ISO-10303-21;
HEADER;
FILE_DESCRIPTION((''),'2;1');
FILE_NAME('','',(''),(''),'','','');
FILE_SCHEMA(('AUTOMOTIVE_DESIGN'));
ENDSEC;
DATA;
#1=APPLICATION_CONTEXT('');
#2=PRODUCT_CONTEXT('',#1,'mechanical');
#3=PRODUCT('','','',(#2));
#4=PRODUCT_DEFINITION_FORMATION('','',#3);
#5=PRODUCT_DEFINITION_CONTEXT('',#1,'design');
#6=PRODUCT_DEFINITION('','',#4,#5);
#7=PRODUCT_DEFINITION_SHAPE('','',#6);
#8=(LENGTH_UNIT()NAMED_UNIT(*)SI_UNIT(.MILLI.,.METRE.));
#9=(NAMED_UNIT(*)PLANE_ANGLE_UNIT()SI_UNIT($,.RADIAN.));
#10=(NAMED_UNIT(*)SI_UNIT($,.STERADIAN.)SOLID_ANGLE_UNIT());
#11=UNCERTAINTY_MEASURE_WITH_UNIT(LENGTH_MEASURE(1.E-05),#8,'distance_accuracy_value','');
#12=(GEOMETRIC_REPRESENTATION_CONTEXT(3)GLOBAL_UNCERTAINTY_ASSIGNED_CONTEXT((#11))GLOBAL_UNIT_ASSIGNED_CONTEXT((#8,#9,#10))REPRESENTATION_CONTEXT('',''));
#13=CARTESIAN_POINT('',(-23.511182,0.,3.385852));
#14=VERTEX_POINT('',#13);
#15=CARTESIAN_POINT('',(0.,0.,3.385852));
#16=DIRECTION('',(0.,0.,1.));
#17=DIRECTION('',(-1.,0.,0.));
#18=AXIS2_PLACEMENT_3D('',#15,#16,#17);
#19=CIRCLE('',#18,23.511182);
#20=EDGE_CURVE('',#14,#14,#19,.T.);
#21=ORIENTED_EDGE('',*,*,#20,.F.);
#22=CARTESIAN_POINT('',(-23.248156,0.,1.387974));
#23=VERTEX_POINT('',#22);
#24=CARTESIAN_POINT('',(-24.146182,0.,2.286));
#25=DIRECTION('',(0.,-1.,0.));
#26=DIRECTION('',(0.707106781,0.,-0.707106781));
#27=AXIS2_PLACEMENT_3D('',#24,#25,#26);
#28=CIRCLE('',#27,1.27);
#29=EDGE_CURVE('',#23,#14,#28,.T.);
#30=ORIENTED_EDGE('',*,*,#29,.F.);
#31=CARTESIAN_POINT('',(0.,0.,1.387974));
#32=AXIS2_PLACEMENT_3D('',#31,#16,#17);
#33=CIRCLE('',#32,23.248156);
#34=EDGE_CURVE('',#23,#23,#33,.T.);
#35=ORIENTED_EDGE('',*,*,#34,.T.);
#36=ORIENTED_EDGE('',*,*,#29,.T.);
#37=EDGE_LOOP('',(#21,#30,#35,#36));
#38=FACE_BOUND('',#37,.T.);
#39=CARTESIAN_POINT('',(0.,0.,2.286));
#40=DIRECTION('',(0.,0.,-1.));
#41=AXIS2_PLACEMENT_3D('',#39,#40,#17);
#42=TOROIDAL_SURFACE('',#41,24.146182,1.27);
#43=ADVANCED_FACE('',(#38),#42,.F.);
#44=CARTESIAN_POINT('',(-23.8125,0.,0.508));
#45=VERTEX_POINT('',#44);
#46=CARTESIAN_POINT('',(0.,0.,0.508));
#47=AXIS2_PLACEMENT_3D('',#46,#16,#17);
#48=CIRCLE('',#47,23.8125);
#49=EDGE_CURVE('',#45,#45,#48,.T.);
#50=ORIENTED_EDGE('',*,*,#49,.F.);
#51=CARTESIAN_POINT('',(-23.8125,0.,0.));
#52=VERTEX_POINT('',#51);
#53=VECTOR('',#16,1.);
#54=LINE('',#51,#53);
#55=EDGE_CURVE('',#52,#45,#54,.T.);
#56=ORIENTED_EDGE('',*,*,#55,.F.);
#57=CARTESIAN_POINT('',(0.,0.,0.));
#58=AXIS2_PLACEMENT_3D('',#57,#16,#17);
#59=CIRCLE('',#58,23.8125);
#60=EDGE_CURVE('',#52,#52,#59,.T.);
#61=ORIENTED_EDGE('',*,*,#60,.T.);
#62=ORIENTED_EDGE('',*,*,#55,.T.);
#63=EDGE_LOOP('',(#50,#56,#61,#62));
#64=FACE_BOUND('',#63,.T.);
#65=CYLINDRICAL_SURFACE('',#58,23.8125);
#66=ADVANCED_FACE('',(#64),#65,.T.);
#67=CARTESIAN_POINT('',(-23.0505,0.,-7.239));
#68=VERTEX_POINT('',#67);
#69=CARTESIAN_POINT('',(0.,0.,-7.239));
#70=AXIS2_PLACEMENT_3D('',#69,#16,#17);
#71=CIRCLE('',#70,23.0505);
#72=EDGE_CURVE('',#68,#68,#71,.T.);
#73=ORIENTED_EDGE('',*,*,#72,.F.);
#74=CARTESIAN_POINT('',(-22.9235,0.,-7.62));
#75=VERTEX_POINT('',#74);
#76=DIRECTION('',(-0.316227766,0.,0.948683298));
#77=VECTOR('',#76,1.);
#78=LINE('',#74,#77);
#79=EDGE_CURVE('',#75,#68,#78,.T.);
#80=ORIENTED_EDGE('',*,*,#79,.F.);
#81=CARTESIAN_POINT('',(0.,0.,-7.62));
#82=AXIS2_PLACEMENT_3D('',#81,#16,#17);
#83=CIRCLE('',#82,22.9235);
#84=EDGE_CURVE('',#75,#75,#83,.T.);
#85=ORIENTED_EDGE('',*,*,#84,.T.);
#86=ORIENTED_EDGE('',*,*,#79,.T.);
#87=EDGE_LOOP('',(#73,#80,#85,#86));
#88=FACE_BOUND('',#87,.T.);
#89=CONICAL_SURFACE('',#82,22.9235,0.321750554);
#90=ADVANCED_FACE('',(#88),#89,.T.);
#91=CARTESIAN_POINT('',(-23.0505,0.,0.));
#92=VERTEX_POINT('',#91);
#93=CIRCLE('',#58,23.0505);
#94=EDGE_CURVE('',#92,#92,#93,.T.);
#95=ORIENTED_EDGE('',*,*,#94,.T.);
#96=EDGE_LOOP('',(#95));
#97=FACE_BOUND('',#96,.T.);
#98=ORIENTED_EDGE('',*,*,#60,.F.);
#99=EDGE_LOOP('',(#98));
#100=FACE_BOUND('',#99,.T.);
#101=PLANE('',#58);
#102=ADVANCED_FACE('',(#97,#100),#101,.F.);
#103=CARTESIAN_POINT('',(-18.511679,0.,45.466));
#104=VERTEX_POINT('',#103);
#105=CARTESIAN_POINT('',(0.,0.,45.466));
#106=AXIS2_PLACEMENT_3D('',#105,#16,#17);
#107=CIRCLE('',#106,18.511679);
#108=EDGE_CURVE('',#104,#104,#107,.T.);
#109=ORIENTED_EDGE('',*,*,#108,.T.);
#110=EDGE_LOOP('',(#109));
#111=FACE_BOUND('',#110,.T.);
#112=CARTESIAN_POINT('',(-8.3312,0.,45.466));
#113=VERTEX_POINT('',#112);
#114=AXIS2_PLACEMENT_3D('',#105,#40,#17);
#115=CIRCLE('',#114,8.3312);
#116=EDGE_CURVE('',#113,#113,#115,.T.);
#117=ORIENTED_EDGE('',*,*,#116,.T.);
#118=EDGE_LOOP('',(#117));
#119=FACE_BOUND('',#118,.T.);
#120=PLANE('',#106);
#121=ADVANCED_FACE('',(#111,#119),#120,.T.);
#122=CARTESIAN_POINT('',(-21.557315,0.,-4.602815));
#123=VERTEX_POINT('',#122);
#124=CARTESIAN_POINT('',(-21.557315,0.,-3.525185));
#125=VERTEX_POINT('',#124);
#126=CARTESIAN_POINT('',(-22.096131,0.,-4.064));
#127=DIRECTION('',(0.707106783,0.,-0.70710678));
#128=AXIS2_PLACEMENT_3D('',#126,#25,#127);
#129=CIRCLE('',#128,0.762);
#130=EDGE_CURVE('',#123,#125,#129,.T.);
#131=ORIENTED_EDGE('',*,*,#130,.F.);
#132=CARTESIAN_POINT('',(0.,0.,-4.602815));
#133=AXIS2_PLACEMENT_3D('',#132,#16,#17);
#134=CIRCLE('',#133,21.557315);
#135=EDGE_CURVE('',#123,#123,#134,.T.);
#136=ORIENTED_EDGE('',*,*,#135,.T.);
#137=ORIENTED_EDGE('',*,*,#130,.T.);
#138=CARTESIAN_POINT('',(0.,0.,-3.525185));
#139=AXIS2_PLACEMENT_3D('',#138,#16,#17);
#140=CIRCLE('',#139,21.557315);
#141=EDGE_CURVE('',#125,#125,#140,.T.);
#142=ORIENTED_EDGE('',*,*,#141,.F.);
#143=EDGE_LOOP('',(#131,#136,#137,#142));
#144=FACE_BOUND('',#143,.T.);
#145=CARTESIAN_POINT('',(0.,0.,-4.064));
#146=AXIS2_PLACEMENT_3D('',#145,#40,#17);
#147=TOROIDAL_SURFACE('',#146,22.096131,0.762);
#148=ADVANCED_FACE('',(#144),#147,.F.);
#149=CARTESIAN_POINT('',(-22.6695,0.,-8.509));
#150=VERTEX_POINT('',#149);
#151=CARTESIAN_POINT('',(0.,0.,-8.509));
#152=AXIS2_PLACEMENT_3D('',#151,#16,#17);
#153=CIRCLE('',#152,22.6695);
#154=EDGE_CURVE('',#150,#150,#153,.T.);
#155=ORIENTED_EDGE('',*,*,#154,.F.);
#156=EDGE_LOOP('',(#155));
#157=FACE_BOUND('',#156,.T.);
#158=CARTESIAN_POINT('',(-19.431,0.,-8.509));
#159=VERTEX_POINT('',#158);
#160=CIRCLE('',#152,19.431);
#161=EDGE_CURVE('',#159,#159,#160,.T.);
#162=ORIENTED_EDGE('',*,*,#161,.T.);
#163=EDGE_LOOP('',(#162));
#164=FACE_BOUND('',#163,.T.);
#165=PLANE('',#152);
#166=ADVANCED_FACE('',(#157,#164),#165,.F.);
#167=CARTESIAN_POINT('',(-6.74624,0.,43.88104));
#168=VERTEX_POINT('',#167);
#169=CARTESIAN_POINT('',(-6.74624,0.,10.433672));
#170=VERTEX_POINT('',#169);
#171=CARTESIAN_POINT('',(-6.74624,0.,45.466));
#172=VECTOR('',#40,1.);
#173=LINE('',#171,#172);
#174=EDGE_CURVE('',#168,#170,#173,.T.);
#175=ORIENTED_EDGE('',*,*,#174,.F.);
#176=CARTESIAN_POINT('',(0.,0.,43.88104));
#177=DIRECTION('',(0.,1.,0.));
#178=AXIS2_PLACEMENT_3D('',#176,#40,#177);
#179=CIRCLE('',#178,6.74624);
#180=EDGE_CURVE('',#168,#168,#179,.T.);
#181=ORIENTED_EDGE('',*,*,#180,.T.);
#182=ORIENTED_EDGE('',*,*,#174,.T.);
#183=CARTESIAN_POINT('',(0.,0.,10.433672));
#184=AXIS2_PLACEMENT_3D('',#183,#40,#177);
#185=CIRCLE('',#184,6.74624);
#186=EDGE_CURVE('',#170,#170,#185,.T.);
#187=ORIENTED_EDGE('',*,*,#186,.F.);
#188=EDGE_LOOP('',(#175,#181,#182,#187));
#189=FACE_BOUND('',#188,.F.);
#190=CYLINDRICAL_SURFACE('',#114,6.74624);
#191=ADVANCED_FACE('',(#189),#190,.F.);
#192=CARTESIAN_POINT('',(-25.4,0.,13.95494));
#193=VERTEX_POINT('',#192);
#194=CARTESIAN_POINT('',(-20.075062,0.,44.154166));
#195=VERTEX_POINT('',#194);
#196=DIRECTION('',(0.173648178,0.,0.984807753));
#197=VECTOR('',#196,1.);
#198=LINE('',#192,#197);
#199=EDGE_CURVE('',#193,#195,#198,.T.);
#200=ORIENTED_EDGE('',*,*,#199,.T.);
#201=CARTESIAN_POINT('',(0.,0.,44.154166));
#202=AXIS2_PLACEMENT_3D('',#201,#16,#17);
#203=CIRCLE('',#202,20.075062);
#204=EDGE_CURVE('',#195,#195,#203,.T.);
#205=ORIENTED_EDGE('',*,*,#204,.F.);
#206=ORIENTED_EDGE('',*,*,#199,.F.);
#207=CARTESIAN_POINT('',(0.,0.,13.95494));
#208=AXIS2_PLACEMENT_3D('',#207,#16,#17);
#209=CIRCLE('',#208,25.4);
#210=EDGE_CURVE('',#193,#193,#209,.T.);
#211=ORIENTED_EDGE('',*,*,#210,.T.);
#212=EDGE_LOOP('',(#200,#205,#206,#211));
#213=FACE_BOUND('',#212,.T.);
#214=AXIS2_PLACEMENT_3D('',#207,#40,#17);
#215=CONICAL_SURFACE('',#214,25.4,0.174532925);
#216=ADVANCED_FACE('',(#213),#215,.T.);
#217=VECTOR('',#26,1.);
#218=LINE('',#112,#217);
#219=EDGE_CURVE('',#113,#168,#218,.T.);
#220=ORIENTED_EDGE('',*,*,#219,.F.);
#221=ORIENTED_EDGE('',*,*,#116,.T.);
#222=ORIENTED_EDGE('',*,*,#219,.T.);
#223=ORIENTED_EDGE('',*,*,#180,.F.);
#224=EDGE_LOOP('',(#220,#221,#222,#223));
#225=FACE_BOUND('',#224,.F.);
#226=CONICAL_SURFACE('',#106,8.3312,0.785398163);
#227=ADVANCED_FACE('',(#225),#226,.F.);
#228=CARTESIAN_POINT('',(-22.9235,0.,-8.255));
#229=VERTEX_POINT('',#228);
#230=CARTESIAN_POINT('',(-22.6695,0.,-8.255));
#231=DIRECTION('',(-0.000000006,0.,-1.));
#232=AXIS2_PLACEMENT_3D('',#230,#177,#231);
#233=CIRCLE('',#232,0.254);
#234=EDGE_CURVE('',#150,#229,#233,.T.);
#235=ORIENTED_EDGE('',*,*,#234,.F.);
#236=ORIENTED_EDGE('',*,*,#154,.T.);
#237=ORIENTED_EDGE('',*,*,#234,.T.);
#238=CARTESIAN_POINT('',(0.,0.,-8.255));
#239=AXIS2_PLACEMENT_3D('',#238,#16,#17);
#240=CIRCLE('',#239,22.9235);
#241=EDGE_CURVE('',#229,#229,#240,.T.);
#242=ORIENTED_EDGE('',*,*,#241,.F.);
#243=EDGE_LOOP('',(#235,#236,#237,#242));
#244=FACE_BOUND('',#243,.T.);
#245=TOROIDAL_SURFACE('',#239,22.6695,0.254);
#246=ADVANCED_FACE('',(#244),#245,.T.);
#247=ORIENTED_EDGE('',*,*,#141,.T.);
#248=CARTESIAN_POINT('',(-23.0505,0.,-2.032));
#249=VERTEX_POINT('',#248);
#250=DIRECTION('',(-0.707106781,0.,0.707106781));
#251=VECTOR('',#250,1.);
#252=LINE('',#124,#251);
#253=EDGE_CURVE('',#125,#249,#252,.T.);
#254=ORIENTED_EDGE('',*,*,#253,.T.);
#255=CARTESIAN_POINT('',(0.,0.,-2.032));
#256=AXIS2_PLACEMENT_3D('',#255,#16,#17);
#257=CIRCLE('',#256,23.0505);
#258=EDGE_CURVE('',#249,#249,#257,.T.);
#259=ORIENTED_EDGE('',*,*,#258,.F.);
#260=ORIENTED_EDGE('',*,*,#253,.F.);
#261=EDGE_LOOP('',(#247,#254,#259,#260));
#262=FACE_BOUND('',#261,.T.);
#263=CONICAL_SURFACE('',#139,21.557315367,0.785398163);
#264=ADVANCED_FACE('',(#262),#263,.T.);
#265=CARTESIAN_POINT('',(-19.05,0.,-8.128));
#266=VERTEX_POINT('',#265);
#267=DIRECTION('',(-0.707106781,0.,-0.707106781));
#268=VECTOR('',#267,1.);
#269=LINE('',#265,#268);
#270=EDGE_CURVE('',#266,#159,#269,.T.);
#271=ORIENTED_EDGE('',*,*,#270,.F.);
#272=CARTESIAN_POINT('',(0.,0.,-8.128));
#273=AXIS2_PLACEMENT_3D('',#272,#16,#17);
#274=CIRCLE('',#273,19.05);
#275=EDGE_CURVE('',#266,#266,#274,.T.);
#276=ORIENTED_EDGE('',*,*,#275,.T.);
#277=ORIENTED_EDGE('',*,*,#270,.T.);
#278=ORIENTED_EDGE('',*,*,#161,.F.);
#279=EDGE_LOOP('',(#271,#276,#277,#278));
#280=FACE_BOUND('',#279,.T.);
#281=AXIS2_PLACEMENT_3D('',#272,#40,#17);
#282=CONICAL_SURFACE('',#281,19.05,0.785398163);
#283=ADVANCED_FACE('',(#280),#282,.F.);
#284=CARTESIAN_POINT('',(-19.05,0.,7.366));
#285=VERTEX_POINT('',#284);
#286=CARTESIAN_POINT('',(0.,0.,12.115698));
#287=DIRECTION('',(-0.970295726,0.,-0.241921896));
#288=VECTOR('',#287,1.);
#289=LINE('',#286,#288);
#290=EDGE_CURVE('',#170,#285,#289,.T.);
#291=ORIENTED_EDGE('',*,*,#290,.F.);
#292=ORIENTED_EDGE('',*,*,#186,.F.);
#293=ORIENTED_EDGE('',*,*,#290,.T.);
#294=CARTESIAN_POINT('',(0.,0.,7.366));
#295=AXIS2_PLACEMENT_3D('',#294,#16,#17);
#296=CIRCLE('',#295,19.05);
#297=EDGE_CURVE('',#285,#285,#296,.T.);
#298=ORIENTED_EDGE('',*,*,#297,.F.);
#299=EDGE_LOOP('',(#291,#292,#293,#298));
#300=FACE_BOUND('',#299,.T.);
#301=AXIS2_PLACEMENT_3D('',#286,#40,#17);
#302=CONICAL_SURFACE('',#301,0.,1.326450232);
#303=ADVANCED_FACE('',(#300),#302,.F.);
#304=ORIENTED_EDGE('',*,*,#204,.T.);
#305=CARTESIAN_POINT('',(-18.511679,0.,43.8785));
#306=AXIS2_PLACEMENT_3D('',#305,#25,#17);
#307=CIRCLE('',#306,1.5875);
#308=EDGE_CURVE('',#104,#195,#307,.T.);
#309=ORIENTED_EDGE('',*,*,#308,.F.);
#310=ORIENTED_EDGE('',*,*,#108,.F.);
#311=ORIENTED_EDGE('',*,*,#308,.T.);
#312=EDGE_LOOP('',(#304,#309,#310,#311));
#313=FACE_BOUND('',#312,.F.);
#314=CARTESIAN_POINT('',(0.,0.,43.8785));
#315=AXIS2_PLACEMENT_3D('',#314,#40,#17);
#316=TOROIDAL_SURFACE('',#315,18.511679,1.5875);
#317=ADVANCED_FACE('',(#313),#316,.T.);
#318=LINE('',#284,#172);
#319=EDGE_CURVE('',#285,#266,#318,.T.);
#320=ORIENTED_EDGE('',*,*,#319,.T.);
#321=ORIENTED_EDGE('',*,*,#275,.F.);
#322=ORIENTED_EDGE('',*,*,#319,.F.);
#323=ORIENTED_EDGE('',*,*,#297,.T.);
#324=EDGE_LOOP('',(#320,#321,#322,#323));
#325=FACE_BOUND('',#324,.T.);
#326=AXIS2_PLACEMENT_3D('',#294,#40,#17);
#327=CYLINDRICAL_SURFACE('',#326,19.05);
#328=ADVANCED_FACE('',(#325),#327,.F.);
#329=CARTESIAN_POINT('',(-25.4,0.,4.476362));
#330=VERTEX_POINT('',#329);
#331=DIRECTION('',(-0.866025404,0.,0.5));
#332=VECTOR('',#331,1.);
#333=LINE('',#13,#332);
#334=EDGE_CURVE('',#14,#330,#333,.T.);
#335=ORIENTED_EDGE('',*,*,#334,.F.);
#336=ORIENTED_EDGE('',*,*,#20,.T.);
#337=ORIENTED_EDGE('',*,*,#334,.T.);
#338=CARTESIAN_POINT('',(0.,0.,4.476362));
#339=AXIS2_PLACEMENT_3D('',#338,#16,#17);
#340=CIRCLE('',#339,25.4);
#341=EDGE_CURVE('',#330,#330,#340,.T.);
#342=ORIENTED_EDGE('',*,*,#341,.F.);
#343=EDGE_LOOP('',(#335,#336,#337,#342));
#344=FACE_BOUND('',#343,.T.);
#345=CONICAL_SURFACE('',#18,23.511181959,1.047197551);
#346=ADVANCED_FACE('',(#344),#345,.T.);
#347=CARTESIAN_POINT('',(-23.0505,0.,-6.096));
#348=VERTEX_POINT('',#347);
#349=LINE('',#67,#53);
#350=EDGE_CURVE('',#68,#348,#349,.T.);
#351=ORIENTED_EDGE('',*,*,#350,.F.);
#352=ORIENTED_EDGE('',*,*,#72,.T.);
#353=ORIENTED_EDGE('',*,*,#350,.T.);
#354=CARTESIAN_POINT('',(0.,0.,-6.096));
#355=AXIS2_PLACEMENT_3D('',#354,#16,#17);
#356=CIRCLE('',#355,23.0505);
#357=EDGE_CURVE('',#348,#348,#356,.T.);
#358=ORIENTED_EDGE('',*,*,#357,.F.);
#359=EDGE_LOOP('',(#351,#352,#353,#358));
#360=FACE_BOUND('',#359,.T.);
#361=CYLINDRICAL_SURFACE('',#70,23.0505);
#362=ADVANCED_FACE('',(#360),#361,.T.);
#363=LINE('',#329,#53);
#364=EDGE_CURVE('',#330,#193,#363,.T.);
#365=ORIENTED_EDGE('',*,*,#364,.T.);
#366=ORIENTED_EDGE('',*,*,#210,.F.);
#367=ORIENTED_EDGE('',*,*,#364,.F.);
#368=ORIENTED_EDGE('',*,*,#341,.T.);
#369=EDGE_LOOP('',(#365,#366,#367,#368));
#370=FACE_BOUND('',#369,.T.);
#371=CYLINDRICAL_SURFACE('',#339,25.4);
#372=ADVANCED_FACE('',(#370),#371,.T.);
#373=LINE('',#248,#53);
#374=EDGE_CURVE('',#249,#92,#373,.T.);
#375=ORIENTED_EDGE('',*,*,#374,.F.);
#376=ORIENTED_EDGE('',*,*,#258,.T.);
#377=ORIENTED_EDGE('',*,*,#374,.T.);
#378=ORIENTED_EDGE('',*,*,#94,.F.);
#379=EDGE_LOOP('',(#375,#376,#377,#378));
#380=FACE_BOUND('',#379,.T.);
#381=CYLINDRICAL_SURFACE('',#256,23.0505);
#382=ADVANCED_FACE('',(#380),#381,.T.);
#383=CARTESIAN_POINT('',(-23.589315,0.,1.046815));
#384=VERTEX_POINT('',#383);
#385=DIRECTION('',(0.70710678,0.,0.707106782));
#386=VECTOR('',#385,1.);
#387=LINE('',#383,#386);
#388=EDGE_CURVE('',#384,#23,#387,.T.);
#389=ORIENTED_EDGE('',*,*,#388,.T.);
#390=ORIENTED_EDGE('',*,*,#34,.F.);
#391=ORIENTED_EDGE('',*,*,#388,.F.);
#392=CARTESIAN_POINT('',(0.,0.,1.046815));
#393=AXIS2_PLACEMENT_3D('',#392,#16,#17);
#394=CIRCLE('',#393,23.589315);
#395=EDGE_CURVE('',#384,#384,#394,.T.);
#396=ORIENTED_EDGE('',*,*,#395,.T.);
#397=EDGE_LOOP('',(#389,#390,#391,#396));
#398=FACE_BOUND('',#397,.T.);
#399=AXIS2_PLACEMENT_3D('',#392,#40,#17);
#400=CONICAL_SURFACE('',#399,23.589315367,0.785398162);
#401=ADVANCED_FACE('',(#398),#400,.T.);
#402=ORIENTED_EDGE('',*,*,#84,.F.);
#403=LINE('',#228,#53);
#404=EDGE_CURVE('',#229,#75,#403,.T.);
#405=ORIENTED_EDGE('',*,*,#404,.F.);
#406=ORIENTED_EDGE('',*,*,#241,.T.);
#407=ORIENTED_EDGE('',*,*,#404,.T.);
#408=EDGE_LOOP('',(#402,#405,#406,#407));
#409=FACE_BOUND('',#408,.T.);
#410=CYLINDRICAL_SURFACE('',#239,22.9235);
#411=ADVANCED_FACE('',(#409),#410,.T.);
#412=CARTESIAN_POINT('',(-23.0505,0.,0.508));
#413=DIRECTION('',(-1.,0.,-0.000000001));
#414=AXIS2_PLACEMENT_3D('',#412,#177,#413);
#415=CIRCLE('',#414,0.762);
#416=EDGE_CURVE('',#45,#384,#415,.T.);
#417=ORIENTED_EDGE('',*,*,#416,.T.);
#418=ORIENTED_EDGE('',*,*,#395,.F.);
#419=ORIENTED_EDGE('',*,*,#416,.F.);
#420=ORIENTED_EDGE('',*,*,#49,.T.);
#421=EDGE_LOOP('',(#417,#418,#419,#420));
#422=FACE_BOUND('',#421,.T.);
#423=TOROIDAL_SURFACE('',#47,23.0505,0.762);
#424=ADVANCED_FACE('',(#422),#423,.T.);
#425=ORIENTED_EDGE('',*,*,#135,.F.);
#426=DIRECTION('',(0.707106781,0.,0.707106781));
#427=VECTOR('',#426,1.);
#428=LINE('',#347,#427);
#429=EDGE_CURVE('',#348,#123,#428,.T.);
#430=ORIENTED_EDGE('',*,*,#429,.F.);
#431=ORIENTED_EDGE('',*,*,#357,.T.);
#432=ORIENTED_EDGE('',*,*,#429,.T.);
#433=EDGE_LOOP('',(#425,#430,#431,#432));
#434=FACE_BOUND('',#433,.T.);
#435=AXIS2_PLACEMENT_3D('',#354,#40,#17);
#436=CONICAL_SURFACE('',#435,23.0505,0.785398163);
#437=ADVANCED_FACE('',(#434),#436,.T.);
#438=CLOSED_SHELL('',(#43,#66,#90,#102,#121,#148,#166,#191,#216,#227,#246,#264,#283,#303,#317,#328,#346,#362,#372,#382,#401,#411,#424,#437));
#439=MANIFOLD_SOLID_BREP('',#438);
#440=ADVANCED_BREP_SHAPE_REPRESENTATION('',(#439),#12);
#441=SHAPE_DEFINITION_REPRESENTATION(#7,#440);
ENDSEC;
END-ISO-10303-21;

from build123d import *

# Parameters (mm, degrees)
F_5_8_11_TAPPED_HOLE1_D           = 13.49248
F_5_8_11_TAPPED_HOLE1_DEPTH       = 40.1193
F_5_8_11_TAPPED_HOLE1_CSINK_D     = 16.6624
F_5_8_11_TAPPED_HOLE1_CSINK_ANGLE = 90
F_5_8_11_TAPPED_HOLE1_TIP         = 4.053549943
FCH_00_CHAMFER_0_015_SIZE         = 0.381
FILLET1_R                         = 1.5875


with BuildPart() as part:
    # Sketch3 → FBR-00 Basic blank revolve. (revolve)
    with BuildSketch(Plane(origin=(0, 0, 0), x_dir=(0, 0, -1), z_dir=(1, 0, 0)), mode=Mode.PRIVATE) as fbr_00_basic_blank_revolve_sk:
        with BuildLine():
            Line((-45.466, 19.84375), (-45.466, 0))
            Line((-45.466, 0), (-12.115698454, 0))
            Line((-12.115698454, 0), (-7.366, 19.05))
            Line((-7.366, 19.05), (8.509, 19.05))
            Line((8.509, 19.05), (8.509, 22.6695))
            ThreePointArc((8.509, 22.6695), (8.434605122, 22.849105122), (8.255, 22.9235))
            Line((8.255, 22.9235), (7.62, 22.9235))
            Line((7.62, 22.9235), (7.239, 23.0505))
            Line((7.239, 23.0505), (6.096, 23.0505))
            Line((6.096, 23.0505), (4.602815367, 21.557315367))
            ThreePointArc((4.602815367, 21.557315367), (4.064, 21.334130735), (3.525184633, 21.557315367))
            Line((3.525184633, 21.557315367), (2.032, 23.0505))
            Line((2.032, 23.0505), (0, 23.0505))
            Line((0, 23.0505), (0, 23.8125))
            Line((0, 23.8125), (-0.508, 23.8125))
            ThreePointArc((-0.508, 23.8125), (-0.799604775, 23.754496204), (-1.046815367, 23.589315367))
            Line((-1.046815367, 23.589315367), (-1.387974388, 23.248156347))
            ThreePointArc((-1.387974388, 23.248156347), (-2.451768264, 22.887046985), (-3.385852263, 23.511181959))
            Line((-3.385852263, 23.511181959), (-4.476361867, 25.4))
            Line((-4.476361867, 25.4), (-13.95494039, 25.4))
            Line((-13.95494039, 25.4), (-45.466, 19.84375))
        make_face()
    revolve(fbr_00_basic_blank_revolve_sk.sketch.rotate(Axis((0, 0, -27.766671499), (0, 0, 1)), 90), axis=Axis((0, 0, -27.766671499), (0, 0, 1)))

    # 5/8-11 Tapped Hole1
    with Locations(Plane.XY.offset(45.466)):
        with Locations((0, 0)):
            CounterSinkHole(F_5_8_11_TAPPED_HOLE1_D / 2, F_5_8_11_TAPPED_HOLE1_CSINK_D / 2, depth=F_5_8_11_TAPPED_HOLE1_DEPTH, counter_sink_angle=F_5_8_11_TAPPED_HOLE1_CSINK_ANGLE)
            with Locations((0, 0, -(F_5_8_11_TAPPED_HOLE1_DEPTH + F_5_8_11_TAPPED_HOLE1_TIP / 2))):  # 118° drill point
                Cone(0, F_5_8_11_TAPPED_HOLE1_D / 2, F_5_8_11_TAPPED_HOLE1_TIP, mode=Mode.SUBTRACT)

    # FCH-00 Chamfer 0.015
    fch_00_chamfer_0_015_edges = [part.edges().sort_by_distance(p)[0] for p in [
        (19.05, 0, -8.509),
    ]]
    chamfer(fch_00_chamfer_0_015_edges, length=FCH_00_CHAMFER_0_015_SIZE)

    # Fillet1
    fillet1_edges = [part.edges().sort_by_distance(p)[0] for p in [
        (19.84375, 0, 45.466),
    ]]
    fillet(fillet1_edges, radius=FILLET1_R)


solid = part.part
